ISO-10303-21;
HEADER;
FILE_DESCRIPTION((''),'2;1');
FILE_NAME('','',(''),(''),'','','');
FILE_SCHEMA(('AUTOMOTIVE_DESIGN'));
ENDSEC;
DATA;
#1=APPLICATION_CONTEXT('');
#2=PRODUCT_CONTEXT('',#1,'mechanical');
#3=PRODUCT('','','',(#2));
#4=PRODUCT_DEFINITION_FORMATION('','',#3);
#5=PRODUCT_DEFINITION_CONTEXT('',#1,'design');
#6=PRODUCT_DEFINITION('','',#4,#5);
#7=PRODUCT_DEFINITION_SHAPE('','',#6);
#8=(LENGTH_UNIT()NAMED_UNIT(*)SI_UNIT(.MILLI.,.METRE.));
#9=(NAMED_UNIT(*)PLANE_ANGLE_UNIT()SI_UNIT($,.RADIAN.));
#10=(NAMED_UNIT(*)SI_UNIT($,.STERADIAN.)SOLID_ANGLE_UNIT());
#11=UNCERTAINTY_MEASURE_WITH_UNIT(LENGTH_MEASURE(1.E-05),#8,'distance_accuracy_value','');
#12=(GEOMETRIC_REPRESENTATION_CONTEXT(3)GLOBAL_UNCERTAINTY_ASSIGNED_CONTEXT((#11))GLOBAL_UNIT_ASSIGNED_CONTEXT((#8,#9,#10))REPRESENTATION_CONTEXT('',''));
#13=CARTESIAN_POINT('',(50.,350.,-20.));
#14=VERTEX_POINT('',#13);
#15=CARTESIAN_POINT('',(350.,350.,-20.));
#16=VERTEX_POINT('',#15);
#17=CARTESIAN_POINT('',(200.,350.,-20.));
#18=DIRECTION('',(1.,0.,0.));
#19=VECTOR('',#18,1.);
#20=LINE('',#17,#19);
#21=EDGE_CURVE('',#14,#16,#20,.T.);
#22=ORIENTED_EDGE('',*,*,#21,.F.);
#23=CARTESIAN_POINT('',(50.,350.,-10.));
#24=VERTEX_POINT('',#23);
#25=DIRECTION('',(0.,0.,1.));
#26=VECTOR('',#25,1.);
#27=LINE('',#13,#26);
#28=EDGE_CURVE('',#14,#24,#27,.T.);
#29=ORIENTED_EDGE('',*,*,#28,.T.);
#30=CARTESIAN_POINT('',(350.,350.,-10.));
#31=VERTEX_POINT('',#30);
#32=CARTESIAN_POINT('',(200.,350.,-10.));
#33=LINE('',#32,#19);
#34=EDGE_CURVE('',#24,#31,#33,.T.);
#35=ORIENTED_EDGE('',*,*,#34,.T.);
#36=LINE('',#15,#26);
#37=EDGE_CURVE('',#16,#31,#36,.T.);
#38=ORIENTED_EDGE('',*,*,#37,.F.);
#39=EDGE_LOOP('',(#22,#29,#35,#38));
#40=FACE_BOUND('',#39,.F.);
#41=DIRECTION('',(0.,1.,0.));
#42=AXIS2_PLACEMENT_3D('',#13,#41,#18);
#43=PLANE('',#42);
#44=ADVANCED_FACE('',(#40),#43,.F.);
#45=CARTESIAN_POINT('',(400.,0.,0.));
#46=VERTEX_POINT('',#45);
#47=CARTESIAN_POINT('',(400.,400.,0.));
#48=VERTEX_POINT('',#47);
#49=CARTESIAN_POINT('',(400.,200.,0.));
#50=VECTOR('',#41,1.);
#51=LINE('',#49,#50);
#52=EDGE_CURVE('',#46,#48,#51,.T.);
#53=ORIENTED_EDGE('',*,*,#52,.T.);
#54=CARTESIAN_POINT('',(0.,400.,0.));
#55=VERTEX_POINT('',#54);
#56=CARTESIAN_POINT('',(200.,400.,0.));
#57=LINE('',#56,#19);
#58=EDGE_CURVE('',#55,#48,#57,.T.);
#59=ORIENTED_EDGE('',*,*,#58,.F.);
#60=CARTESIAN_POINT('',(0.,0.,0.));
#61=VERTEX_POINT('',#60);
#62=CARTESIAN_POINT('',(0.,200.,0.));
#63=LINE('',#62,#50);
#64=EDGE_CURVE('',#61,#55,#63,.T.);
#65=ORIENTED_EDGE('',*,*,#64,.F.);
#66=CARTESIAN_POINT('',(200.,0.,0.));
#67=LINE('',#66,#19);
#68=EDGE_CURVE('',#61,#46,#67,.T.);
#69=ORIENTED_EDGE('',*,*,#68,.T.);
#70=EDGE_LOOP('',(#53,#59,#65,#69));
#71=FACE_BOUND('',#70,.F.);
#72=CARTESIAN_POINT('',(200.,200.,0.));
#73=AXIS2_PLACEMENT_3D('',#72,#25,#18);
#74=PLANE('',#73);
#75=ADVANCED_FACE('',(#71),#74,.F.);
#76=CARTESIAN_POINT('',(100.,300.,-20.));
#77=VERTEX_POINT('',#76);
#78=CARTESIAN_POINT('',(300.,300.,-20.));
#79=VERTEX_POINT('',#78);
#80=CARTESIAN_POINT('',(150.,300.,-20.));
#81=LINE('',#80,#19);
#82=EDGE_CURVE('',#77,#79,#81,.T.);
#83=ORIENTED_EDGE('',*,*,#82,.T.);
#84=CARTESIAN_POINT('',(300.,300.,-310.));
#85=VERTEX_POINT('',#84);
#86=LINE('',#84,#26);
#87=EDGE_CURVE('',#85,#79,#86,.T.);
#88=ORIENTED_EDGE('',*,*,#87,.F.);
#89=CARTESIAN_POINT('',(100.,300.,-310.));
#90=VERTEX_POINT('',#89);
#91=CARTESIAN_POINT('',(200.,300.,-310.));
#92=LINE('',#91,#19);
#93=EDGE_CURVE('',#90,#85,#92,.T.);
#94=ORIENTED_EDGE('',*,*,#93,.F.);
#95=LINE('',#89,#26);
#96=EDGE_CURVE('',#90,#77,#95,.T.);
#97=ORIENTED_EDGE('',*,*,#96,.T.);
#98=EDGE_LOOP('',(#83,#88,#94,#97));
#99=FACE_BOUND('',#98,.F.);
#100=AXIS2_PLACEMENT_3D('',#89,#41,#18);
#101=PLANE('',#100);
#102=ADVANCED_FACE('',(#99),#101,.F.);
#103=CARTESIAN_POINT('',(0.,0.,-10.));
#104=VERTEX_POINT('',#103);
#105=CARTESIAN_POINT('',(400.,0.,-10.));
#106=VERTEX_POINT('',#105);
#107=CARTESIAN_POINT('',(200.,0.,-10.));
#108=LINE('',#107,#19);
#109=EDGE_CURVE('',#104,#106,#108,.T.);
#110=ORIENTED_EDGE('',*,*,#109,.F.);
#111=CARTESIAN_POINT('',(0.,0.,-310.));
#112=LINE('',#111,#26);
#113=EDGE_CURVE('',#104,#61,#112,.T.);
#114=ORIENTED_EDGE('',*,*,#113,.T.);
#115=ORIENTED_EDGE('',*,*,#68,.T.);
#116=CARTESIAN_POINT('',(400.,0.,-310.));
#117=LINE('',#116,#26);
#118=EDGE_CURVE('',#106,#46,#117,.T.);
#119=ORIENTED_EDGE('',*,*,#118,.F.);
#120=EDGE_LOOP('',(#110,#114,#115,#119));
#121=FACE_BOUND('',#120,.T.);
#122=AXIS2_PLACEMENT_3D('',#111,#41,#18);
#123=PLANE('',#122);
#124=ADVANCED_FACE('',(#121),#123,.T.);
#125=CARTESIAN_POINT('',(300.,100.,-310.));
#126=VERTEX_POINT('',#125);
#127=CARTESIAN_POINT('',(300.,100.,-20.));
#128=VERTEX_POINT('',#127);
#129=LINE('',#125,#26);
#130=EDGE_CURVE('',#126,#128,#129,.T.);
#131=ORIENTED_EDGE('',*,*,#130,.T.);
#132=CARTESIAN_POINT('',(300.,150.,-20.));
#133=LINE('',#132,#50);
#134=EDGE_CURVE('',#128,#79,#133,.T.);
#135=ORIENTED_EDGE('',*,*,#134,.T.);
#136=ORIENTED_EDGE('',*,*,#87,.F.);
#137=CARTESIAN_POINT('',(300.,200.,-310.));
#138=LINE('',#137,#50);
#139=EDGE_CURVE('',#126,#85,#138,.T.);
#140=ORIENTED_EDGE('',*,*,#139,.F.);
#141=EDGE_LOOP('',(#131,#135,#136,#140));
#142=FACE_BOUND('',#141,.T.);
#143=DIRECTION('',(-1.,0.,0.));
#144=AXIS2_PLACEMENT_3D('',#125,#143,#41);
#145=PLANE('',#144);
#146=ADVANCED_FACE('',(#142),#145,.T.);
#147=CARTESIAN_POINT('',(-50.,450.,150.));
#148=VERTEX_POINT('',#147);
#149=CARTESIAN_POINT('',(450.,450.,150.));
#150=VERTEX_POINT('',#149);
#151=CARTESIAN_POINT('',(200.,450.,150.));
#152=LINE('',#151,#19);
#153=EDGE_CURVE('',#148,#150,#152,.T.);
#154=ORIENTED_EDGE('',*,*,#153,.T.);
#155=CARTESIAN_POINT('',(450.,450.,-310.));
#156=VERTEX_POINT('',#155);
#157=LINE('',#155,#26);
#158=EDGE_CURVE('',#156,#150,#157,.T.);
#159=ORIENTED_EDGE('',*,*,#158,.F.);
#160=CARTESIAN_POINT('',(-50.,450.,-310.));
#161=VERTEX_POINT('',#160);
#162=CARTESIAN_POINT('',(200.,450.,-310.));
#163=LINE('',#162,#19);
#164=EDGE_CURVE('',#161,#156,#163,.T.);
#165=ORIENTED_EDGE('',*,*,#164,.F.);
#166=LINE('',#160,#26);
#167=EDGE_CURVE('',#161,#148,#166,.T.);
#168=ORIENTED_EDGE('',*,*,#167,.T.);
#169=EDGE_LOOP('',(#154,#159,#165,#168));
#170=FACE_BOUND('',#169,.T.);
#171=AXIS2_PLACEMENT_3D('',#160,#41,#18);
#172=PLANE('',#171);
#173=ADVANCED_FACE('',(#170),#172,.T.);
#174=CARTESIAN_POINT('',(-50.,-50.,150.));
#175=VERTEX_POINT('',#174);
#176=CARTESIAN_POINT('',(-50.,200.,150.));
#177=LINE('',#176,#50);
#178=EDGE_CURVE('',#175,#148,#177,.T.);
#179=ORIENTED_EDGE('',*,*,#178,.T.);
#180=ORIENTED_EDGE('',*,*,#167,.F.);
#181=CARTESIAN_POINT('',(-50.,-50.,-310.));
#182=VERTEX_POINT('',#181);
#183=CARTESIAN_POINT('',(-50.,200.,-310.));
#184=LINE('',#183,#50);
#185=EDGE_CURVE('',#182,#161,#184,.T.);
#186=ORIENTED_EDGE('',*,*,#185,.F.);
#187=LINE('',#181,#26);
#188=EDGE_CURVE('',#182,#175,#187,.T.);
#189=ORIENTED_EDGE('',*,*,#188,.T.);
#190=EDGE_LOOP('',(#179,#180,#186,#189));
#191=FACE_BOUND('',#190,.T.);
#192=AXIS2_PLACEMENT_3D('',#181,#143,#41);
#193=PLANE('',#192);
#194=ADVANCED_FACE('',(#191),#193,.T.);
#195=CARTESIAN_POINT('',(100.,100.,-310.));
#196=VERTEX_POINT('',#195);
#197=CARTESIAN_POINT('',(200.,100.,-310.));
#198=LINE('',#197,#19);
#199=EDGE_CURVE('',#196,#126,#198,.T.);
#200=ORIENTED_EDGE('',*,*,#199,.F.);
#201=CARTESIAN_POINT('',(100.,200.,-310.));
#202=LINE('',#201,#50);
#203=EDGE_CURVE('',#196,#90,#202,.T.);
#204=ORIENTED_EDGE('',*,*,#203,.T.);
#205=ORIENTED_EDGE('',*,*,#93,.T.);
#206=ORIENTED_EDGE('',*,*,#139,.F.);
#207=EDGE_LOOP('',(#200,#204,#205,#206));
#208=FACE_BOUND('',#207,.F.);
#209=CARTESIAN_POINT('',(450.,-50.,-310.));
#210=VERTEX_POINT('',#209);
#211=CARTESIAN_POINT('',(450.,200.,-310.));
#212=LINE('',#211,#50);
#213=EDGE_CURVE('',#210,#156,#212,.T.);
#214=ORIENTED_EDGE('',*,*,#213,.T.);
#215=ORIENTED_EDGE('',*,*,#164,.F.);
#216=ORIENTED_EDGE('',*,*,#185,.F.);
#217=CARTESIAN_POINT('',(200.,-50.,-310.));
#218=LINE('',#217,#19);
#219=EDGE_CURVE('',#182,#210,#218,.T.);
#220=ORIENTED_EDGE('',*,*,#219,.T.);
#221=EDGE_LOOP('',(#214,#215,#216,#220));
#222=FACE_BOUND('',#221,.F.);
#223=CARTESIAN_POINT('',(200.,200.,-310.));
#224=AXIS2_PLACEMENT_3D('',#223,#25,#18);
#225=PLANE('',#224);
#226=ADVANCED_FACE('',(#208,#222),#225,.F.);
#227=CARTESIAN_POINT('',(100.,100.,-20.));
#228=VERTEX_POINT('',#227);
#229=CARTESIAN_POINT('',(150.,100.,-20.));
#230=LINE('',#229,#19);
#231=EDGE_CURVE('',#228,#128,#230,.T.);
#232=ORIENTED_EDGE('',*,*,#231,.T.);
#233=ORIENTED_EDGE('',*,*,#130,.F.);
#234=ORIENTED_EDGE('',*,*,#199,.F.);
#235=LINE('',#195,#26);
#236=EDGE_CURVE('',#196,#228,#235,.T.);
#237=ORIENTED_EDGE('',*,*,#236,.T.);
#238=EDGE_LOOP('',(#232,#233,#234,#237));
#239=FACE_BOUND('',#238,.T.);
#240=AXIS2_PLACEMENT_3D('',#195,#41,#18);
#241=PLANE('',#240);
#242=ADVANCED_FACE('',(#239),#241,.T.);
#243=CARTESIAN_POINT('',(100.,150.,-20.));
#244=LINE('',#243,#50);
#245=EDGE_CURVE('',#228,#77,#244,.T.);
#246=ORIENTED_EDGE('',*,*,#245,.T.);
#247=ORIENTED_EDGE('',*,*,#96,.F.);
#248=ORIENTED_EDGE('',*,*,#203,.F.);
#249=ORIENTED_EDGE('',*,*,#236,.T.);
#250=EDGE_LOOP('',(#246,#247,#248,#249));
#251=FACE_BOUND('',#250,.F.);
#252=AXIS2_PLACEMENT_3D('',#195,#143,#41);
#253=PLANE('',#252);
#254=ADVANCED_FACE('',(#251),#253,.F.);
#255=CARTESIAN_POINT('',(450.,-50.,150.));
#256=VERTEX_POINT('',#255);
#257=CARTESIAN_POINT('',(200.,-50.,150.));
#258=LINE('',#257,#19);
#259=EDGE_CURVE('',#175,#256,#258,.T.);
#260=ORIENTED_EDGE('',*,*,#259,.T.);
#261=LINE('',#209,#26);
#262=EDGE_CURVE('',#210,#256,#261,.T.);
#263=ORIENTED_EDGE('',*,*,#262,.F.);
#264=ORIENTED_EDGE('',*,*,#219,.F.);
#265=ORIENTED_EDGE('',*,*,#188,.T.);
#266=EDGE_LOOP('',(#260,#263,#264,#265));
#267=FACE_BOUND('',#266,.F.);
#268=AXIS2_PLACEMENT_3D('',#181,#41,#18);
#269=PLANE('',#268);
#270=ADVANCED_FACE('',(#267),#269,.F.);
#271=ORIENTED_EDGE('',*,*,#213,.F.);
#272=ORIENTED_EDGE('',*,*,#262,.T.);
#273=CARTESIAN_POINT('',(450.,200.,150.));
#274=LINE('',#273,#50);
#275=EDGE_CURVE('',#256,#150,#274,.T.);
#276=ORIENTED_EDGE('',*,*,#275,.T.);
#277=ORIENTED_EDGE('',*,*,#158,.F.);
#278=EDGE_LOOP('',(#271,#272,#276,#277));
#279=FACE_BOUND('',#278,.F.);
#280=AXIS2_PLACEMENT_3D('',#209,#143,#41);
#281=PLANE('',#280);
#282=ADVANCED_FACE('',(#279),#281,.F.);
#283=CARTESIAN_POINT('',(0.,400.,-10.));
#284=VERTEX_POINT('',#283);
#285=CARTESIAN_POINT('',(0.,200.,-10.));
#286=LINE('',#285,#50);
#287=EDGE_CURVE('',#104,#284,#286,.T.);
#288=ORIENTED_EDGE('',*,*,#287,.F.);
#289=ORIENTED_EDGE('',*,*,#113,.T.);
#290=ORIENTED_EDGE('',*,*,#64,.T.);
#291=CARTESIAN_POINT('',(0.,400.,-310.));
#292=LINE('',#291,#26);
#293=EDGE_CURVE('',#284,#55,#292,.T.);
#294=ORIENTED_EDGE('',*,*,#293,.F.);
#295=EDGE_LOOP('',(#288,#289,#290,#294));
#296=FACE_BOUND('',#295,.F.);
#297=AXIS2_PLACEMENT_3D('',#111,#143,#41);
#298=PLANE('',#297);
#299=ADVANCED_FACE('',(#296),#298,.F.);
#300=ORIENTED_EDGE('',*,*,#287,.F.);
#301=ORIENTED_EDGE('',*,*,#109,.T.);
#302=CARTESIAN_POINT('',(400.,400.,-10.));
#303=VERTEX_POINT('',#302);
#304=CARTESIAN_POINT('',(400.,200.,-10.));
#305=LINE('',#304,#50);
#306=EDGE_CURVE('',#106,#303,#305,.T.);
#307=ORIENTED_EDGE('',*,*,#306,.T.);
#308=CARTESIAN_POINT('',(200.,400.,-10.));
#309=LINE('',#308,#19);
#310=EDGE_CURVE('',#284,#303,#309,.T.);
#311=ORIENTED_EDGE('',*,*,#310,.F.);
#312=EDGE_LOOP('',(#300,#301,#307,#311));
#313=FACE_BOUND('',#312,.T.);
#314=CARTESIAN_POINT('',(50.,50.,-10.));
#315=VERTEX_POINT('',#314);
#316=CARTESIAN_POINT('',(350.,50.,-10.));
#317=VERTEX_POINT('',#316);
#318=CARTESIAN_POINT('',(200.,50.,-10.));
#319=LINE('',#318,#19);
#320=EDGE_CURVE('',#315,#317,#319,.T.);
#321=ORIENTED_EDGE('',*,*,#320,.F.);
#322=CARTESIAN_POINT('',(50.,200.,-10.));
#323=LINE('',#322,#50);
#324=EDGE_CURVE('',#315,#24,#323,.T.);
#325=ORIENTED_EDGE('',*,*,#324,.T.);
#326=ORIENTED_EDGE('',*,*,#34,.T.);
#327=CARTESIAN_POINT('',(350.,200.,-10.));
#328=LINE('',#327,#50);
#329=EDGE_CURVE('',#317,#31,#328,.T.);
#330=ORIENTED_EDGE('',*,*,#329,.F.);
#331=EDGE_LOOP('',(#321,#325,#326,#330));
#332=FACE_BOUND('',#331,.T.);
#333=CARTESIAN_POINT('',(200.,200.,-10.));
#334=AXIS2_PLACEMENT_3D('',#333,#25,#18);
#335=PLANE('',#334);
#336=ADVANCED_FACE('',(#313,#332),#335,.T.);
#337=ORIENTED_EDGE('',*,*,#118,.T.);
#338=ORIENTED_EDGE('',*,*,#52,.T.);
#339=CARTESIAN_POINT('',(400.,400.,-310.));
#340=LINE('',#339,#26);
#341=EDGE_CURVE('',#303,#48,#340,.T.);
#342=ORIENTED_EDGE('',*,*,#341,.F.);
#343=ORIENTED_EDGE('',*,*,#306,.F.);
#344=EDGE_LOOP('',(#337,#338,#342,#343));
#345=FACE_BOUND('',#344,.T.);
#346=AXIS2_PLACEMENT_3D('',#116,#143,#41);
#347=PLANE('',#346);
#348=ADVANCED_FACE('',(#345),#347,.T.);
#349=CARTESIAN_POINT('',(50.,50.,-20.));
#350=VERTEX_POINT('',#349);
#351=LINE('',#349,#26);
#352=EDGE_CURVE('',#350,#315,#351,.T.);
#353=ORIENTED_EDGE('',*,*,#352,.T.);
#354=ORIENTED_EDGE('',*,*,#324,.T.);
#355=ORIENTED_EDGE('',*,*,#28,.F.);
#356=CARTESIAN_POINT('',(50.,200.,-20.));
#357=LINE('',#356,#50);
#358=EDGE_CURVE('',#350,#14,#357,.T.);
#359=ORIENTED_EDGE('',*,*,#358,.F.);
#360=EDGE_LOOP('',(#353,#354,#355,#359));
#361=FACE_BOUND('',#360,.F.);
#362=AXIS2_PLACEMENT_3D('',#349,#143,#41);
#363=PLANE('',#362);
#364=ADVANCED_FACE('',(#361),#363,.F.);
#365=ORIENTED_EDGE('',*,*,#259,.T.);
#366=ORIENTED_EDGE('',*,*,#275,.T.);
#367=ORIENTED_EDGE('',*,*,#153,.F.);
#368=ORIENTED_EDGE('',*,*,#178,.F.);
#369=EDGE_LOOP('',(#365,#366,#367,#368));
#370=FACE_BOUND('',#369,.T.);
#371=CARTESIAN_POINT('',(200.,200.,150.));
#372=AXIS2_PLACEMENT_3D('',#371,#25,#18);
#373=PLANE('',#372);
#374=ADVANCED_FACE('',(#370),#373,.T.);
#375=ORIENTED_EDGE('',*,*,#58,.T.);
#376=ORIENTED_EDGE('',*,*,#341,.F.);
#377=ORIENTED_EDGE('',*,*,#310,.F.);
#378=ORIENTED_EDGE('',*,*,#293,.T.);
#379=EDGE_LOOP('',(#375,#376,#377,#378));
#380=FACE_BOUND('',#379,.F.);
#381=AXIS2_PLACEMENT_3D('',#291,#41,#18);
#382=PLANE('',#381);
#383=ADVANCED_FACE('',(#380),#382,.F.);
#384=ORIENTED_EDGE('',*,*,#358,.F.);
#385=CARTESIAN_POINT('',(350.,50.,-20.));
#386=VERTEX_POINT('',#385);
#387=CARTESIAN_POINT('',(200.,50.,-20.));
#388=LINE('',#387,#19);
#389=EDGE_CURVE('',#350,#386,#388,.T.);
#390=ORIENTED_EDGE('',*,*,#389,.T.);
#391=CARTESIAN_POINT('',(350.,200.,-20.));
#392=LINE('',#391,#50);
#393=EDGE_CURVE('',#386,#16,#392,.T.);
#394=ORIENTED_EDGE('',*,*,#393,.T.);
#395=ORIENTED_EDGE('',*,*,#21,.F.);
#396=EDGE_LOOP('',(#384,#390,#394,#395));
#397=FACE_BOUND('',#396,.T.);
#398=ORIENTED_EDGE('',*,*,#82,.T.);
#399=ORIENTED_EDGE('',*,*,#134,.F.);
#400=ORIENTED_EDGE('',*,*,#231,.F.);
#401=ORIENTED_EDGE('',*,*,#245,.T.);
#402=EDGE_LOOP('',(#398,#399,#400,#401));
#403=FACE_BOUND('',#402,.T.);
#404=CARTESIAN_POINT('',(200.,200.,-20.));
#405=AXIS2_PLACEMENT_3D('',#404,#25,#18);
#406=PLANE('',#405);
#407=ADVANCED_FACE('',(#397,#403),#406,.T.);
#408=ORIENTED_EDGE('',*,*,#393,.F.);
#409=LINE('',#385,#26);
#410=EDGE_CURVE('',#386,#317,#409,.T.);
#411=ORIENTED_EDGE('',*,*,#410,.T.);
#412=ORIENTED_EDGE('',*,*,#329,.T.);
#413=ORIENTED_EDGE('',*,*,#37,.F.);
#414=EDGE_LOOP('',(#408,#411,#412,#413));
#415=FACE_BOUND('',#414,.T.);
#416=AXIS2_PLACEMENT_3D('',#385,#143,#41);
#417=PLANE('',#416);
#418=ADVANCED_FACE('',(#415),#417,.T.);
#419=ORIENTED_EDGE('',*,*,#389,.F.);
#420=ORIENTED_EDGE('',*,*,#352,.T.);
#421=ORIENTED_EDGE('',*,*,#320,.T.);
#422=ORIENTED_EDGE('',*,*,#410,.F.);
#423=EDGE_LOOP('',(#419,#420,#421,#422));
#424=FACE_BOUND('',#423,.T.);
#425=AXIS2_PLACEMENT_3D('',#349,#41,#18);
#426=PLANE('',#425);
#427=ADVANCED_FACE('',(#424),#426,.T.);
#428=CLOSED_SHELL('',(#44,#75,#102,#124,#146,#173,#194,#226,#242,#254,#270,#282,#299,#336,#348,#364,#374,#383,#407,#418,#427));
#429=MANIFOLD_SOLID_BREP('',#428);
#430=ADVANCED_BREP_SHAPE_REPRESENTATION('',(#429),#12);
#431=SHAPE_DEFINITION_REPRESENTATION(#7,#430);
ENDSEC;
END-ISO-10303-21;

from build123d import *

# Parameters (mm, degrees)
BOX007_W     = 300
BOX007_H     = 300
BOX007_DEPTH = 10
BOX006_W     = 200
BOX006_H     = 200
BOX006_DEPTH = 300
BOX005_W     = 400
BOX005_H     = 400
BOX005_DEPTH = 300
BOX009_W     = 400
BOX009_H     = 400
BOX009_DEPTH = 410
BOX008_W     = 500
BOX008_H     = 500
BOX008_DEPTH = 460
BOX002_W     = 400
BOX002_H     = 400
BOX002_DEPTH = 100


with BuildPart() as cube006:
    # Box007 → Box007 (new body)
    with BuildSketch(Plane(origin=(50, 50, -20), x_dir=(1, 0, 0), z_dir=(0, 0, 1))):
        with Locations((150, 150)):
            Rectangle(BOX007_W, BOX007_H)
    extrude(amount=BOX007_DEPTH)


with BuildPart() as cube005:
    # Box006 → Box006 (new body)
    with BuildSketch(Plane(origin=(100, 100, -310), x_dir=(1, 0, 0), z_dir=(0, 0, 1))):
        with Locations((100, 100)):
            Rectangle(BOX006_W, BOX006_H)
    extrude(amount=BOX006_DEPTH)


with BuildPart() as cut003:
    # Box005 → Box005 (new body)
    with BuildSketch(Plane.XY.offset(-310)):
        with Locations((200, 200)):
            Rectangle(BOX005_W, BOX005_H)
    extrude(amount=BOX005_DEPTH)

    # Cut002: cut Cube005
    add(cube005.part, mode=Mode.SUBTRACT)

    # Cut003: cut Cube006
    add(cube006.part, mode=Mode.SUBTRACT)


with BuildPart() as cube008:
    # Box009 → Box009 (new body)
    with BuildSketch(Plane.XY.offset(-310)):
        with Locations((200, 200)):
            Rectangle(BOX009_W, BOX009_H)
    extrude(amount=BOX009_DEPTH)


with BuildPart() as cut004:
    # Box008 → Box008 (new body)
    with BuildSketch(Plane(origin=(-50, -50, -310), x_dir=(1, 0, 0), z_dir=(0, 0, 1))):
        with Locations((250, 250)):
            Rectangle(BOX008_W, BOX008_H)
    extrude(amount=BOX008_DEPTH)

    # Cut004: cut Cube008
    add(cube008.part, mode=Mode.SUBTRACT)


with BuildPart() as pb_block:
    # Box002 → Box002 (new body)
    with BuildSketch(Plane.XY):
        with Locations((200, 200)):
            Rectangle(BOX002_W, BOX002_H)
    extrude(amount=BOX002_DEPTH)

    # Fusion001: union Cut003, Cut004
    add(cut003.part)
    add(cut004.part)


solid = pb_block.part
